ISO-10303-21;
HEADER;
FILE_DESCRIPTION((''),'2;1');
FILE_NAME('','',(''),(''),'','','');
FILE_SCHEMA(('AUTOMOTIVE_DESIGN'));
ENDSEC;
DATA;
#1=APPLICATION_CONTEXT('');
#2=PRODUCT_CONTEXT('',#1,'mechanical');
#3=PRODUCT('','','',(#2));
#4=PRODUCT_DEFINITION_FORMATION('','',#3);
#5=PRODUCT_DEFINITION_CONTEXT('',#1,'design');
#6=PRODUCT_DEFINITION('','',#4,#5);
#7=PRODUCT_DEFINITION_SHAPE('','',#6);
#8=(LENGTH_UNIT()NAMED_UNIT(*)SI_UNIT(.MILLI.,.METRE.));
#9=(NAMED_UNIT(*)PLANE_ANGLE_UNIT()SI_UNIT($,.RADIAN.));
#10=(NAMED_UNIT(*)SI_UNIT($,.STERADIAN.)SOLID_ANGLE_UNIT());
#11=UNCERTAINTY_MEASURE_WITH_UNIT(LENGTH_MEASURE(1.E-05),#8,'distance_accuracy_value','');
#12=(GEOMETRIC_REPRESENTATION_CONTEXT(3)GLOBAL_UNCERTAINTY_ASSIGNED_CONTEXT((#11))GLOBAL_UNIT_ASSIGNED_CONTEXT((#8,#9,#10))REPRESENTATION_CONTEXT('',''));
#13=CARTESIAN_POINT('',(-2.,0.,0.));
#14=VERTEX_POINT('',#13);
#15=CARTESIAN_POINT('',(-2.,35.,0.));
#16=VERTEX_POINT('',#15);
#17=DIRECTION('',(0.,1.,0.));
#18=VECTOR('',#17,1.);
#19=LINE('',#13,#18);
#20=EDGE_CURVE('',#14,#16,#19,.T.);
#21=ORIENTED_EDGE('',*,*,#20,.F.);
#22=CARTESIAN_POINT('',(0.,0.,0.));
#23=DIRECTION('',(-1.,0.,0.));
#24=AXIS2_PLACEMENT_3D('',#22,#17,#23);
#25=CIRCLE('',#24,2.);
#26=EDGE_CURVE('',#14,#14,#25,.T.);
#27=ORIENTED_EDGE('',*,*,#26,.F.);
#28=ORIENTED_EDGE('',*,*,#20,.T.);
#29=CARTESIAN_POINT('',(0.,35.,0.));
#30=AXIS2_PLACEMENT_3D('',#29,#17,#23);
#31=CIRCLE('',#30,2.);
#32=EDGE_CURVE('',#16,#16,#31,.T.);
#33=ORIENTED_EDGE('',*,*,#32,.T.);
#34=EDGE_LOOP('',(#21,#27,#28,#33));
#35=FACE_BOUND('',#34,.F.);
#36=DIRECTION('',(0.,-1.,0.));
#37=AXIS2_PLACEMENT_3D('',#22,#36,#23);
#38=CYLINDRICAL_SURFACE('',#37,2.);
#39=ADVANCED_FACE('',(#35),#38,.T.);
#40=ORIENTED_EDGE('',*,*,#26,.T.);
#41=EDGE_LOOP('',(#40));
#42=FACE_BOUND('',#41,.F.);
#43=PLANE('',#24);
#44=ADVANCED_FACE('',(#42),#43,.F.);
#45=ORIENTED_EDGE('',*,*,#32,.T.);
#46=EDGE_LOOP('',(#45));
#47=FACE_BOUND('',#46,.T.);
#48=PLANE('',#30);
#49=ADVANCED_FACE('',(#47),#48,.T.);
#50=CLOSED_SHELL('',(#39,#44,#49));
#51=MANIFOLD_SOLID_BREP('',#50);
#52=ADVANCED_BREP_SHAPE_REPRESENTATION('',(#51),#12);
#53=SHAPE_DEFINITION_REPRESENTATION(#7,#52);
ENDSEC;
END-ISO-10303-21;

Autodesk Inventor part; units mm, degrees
ref_plane "YZ Plane" through (0, 0, 0) normal (1, 0, 0) x (0, 1, 0)
ref_plane "XZ Plane" through (0, 0, 0) normal (0, 1, 0) x (-1, 0, 0)
ref_plane "XY Plane" through (0, 0, 0) normal (0, 0, 1) x (1, 0, 0)
sketch "スケッチ1" plane through (0, 0, 0) normal (0, 1, 0) x (-1, 0, 0)
  circle A0 centre (0, 0) radius 2
  dimension "d0" = 4
extrude "押し出し1" add sketch "スケッチ1" along normal blind 35
properties part number "summer_lod"
